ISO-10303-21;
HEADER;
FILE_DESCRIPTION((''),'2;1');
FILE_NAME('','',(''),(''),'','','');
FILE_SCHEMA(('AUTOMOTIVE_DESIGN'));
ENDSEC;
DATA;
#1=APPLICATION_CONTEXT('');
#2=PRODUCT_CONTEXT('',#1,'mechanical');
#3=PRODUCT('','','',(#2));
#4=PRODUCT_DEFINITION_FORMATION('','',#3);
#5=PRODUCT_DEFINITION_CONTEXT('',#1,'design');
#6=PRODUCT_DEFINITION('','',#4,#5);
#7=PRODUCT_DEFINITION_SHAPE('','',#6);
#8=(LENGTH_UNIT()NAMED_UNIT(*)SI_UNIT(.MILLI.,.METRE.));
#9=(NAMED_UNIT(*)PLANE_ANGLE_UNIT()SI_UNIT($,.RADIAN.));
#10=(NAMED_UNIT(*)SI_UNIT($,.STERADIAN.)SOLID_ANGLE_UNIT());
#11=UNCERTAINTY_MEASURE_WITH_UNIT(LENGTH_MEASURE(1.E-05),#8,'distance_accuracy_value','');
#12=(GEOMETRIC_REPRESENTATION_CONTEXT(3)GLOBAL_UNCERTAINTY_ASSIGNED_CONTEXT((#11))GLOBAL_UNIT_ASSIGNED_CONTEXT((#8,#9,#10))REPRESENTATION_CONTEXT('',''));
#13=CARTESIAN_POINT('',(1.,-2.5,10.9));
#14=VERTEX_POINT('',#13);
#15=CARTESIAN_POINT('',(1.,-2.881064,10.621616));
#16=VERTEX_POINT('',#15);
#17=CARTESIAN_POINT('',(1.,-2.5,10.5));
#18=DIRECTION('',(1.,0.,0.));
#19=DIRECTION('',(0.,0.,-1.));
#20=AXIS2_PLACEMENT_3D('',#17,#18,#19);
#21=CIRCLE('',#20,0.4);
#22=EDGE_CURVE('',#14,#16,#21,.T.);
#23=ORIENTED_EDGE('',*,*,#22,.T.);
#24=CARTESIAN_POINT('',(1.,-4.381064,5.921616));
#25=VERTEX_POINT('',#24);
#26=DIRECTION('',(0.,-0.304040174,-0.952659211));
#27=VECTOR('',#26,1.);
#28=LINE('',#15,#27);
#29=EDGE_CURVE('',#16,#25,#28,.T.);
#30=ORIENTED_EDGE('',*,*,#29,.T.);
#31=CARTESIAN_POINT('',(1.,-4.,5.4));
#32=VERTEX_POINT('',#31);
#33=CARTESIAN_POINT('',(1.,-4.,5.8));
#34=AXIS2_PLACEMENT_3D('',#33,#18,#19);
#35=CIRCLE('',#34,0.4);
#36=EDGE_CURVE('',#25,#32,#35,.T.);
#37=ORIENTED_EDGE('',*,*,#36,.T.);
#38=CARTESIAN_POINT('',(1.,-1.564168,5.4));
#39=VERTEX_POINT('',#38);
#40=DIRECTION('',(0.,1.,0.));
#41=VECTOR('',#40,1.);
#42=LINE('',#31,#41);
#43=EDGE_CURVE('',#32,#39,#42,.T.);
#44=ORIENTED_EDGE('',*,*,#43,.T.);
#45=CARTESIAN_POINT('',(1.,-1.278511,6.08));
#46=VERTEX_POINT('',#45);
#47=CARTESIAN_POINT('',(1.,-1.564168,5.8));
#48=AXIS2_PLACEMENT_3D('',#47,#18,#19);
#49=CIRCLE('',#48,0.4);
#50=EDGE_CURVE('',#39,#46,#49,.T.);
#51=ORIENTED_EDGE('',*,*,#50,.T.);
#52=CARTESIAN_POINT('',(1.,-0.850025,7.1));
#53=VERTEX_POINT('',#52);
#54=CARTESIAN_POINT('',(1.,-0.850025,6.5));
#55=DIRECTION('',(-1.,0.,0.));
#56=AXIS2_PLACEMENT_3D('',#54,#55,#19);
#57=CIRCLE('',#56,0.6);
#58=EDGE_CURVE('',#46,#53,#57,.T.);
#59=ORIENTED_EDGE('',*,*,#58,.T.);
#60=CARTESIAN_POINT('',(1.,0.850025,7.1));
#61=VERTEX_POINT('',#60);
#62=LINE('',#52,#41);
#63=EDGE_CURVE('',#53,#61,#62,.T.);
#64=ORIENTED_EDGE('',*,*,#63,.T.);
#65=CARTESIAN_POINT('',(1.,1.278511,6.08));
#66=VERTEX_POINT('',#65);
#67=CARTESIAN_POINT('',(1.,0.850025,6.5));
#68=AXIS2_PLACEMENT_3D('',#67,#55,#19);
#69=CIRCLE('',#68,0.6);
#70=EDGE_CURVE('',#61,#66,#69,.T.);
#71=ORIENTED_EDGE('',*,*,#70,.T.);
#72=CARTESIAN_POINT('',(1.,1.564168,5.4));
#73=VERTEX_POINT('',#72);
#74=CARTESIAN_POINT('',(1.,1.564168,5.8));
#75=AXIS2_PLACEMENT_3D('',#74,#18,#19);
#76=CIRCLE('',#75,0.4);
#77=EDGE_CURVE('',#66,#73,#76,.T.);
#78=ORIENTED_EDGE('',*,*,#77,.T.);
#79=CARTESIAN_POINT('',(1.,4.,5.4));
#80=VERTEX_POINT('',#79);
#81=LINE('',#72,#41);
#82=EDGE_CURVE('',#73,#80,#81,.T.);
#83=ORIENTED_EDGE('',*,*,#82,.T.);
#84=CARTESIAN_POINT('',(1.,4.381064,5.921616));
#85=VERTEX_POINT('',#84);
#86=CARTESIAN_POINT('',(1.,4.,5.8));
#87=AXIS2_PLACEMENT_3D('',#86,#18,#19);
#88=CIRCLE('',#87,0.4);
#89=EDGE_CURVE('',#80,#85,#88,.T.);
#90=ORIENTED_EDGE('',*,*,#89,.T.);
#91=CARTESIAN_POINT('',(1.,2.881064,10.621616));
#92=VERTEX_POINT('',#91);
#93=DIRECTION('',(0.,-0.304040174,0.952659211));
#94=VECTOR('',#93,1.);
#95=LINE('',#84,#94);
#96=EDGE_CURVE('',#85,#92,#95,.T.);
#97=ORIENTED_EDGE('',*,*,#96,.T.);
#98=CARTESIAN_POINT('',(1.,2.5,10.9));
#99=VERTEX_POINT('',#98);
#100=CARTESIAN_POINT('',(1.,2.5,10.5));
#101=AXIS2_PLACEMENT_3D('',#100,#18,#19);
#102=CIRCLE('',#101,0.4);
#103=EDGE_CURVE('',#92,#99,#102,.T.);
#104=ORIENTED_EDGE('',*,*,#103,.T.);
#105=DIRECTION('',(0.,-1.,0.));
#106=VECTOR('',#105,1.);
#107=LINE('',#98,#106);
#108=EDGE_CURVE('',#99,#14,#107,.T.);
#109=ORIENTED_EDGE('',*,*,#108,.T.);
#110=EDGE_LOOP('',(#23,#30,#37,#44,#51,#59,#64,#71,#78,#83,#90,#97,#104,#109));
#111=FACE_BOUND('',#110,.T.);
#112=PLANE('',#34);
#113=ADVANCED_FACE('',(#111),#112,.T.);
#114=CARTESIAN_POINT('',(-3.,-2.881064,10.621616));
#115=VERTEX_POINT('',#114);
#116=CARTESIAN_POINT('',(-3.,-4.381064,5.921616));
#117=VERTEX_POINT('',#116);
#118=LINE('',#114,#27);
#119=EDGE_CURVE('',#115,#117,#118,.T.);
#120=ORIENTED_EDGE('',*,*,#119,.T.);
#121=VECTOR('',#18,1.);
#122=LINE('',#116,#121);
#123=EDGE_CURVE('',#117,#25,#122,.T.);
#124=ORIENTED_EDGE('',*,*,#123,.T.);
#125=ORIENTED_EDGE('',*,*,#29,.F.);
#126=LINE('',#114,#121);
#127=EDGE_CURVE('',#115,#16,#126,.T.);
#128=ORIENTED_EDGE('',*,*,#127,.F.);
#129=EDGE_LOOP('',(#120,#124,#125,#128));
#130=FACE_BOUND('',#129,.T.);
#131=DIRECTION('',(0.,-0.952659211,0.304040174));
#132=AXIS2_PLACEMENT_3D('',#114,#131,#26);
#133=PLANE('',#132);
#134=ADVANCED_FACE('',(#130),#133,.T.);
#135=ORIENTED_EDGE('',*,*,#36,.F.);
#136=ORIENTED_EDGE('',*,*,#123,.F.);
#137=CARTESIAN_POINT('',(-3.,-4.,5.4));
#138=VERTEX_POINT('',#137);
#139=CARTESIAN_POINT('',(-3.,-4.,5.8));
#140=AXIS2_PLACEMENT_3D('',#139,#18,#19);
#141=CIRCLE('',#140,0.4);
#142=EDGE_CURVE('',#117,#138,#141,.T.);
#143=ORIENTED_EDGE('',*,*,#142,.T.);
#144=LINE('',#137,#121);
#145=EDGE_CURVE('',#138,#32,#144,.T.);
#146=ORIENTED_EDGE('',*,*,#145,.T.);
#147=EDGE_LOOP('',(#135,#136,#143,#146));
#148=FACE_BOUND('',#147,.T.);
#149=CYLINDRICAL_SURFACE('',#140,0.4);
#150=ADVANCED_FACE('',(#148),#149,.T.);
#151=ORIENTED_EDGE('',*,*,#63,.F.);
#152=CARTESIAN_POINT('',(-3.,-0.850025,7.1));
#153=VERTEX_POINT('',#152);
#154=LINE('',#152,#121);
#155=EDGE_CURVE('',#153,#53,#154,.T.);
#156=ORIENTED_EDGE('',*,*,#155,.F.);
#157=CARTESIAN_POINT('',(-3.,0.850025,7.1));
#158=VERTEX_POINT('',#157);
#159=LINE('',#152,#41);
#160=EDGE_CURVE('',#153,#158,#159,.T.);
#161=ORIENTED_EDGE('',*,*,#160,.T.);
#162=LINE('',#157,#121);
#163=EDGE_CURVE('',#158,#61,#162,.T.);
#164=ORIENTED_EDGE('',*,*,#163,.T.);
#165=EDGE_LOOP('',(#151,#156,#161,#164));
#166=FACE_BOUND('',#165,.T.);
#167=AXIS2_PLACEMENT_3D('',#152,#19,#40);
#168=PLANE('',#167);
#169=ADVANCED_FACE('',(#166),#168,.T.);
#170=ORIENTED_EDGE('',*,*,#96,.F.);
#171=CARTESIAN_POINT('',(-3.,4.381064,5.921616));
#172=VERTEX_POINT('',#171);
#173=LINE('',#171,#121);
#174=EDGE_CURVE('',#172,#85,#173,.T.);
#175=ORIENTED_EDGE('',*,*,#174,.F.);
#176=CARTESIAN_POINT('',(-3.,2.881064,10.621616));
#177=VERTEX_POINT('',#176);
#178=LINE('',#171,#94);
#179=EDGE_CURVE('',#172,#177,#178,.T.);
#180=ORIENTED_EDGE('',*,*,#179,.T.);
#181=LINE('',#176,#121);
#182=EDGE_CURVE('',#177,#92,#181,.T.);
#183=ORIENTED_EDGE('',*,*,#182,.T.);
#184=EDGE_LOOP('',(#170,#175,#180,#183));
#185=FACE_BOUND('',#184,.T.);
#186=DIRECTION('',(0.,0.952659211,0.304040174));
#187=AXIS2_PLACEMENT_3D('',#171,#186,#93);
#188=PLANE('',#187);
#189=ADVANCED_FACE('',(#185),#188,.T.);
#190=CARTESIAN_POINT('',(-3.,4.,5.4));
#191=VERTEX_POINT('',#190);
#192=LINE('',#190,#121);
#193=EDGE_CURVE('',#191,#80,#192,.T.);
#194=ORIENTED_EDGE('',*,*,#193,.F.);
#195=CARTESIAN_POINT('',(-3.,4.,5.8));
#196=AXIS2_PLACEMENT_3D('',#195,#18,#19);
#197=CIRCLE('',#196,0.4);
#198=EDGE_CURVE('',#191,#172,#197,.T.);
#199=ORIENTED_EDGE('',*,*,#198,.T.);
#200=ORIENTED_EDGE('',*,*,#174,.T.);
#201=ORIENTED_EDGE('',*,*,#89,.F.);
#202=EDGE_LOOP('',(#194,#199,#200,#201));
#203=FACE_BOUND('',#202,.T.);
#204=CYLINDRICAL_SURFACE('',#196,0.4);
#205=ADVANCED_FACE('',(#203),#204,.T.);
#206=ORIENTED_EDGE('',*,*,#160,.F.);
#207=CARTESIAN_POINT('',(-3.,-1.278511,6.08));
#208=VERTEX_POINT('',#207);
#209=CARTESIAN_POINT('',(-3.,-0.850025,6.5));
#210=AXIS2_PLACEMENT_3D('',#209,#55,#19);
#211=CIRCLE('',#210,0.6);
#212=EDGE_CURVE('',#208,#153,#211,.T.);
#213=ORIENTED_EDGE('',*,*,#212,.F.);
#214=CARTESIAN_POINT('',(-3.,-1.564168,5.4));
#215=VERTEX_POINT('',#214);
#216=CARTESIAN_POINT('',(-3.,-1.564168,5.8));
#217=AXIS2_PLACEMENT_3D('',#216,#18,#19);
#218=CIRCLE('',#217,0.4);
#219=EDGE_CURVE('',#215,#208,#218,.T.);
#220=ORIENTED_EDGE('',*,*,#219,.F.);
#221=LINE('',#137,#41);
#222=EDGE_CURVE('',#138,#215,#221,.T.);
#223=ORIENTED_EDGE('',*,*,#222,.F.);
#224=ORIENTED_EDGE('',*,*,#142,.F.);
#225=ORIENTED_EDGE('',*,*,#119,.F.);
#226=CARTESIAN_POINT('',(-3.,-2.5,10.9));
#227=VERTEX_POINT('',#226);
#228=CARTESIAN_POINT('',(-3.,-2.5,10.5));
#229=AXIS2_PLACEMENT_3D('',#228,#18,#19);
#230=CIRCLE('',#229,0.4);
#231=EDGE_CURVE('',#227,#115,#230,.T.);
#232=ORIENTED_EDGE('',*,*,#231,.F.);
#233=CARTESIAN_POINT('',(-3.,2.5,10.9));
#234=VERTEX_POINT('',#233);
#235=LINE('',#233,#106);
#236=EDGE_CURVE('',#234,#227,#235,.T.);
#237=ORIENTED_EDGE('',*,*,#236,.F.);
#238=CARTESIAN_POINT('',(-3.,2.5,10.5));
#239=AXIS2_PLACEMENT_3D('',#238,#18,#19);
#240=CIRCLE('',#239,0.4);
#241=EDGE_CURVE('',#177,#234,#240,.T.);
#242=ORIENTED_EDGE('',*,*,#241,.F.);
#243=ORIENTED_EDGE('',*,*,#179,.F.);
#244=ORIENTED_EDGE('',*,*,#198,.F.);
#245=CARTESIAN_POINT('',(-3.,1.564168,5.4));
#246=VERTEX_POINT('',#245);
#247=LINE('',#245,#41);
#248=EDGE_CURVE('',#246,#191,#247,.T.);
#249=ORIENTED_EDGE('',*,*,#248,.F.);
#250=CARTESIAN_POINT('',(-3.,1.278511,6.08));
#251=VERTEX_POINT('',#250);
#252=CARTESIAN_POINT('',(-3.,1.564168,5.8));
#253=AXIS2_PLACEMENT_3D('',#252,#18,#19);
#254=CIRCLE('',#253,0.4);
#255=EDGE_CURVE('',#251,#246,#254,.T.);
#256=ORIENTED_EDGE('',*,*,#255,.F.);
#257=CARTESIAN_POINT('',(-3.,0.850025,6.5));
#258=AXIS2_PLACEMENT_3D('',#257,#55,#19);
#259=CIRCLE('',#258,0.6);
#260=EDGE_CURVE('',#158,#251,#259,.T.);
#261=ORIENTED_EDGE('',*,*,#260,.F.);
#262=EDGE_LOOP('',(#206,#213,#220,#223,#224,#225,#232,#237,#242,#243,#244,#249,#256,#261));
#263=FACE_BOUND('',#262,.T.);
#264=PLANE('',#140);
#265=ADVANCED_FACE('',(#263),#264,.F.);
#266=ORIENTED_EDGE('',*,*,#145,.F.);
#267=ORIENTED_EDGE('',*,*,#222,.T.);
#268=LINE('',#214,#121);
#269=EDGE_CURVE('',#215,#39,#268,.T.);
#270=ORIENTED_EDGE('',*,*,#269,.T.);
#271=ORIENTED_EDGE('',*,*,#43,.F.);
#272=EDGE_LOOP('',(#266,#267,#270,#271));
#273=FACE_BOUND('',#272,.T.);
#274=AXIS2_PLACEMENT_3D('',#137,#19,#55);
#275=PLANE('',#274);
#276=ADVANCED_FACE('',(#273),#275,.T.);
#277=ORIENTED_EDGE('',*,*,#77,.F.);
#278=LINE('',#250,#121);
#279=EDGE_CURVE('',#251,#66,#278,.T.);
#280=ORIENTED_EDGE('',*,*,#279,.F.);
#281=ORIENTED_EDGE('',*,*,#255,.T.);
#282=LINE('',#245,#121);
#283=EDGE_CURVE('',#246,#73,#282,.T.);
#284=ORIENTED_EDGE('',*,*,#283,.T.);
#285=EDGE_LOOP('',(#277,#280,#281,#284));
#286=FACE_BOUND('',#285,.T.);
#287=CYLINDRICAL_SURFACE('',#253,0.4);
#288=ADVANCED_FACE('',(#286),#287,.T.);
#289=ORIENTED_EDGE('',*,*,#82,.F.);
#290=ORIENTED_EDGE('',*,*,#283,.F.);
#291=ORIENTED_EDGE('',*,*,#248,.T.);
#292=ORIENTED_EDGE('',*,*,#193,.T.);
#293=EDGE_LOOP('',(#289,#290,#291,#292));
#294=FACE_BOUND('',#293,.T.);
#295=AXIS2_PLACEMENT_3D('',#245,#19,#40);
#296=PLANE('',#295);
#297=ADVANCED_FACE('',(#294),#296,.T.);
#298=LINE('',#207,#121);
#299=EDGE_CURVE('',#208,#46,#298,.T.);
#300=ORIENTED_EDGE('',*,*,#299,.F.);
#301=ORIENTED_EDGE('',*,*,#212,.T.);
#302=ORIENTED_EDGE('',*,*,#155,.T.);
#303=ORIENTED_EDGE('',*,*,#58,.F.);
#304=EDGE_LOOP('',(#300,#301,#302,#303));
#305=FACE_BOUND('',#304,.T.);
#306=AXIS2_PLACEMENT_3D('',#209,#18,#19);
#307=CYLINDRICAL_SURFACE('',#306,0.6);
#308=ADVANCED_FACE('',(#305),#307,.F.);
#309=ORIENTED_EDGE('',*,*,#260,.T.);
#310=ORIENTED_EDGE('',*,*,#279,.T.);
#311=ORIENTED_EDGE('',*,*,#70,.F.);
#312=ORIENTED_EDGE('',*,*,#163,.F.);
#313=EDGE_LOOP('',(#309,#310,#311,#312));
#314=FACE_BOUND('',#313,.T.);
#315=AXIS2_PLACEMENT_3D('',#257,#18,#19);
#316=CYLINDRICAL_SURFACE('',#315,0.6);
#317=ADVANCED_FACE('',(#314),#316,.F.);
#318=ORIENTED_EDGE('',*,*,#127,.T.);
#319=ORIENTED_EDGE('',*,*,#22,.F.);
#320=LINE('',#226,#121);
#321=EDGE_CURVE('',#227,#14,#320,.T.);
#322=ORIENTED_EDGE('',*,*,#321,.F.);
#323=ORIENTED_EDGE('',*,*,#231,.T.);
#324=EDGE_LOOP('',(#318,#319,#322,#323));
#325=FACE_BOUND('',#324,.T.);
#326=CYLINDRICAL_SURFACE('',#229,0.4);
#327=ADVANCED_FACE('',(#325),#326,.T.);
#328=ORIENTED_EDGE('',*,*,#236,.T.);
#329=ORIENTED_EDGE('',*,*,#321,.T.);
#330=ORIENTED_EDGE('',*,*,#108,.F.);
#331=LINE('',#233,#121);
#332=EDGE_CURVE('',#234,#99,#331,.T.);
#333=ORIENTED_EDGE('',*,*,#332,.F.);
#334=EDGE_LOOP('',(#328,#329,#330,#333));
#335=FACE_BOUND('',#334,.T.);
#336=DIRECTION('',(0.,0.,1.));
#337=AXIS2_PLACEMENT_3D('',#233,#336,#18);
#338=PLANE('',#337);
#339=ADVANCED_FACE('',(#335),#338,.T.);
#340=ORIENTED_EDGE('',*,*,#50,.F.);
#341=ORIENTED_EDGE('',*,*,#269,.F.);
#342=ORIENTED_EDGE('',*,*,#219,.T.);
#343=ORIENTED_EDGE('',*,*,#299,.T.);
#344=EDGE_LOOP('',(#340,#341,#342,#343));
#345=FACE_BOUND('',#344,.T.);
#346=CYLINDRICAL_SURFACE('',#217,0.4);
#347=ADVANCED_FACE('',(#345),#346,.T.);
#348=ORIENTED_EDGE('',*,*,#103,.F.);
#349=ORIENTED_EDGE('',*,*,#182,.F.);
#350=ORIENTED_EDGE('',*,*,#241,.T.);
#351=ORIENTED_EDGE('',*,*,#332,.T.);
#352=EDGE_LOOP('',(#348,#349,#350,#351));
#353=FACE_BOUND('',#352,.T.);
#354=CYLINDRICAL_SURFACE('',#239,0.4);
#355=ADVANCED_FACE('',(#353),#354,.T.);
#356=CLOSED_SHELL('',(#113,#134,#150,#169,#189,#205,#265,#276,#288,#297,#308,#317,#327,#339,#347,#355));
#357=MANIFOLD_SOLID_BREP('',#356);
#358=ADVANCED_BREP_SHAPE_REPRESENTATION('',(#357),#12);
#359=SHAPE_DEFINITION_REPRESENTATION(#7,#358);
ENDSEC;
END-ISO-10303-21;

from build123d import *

# Parameters (mm, degrees)
BOSS_EXTRUDE1_DEPTH      = 1
BOSS_EXTRUDE1_DEPTH_BACK = 3


with BuildPart() as part:
    # Sketch3 → Boss-Extrude1 (new, two sides: drawn at the far end of the back side and taken through both)
    with BuildSketch(Plane.YZ.offset(-BOSS_EXTRUDE1_DEPTH_BACK)):
        with BuildLine():
            Line((-4, 5.4), (-1.56416825, 5.4))
            ThreePointArc((-1.56416825, 5.4), (-1.195386471, 5.645080666), (-1.278511113, 6.08))
            ThreePointArc((-1.278511113, 6.08), (-1.403198074, 6.732379001), (-0.850025407, 7.1))
            Line((-0.850025407, 7.1), (0.850025407, 7.1))
            ThreePointArc((0.850025407, 7.1), (1.403198074, 6.732379001), (1.278511113, 6.08))
            ThreePointArc((1.278511113, 6.08), (1.195386471, 5.645080666), (1.56416825, 5.4))
            Line((1.56416825, 5.4), (4, 5.4))
            ThreePointArc((4, 5.4), (4.322991043, 5.564040711), (4.381063684, 5.92161607))
            Line((4.381063684, 5.92161607), (2.881063684, 10.62161607))
            ThreePointArc((2.881063684, 10.62161607), (2.735959289, 10.822991043), (2.5, 10.9))
            Line((2.5, 10.9), (-2.5, 10.9))
            ThreePointArc((-2.5, 10.9), (-2.735959289, 10.822991043), (-2.881063684, 10.62161607))
            Line((-2.881063684, 10.62161607), (-4.381063684, 5.92161607))
            ThreePointArc((-4.381063684, 5.92161607), (-4.322991043, 5.564040711), (-4, 5.4))
        make_face()
    extrude(amount=BOSS_EXTRUDE1_DEPTH + BOSS_EXTRUDE1_DEPTH_BACK)


solid = part.part
